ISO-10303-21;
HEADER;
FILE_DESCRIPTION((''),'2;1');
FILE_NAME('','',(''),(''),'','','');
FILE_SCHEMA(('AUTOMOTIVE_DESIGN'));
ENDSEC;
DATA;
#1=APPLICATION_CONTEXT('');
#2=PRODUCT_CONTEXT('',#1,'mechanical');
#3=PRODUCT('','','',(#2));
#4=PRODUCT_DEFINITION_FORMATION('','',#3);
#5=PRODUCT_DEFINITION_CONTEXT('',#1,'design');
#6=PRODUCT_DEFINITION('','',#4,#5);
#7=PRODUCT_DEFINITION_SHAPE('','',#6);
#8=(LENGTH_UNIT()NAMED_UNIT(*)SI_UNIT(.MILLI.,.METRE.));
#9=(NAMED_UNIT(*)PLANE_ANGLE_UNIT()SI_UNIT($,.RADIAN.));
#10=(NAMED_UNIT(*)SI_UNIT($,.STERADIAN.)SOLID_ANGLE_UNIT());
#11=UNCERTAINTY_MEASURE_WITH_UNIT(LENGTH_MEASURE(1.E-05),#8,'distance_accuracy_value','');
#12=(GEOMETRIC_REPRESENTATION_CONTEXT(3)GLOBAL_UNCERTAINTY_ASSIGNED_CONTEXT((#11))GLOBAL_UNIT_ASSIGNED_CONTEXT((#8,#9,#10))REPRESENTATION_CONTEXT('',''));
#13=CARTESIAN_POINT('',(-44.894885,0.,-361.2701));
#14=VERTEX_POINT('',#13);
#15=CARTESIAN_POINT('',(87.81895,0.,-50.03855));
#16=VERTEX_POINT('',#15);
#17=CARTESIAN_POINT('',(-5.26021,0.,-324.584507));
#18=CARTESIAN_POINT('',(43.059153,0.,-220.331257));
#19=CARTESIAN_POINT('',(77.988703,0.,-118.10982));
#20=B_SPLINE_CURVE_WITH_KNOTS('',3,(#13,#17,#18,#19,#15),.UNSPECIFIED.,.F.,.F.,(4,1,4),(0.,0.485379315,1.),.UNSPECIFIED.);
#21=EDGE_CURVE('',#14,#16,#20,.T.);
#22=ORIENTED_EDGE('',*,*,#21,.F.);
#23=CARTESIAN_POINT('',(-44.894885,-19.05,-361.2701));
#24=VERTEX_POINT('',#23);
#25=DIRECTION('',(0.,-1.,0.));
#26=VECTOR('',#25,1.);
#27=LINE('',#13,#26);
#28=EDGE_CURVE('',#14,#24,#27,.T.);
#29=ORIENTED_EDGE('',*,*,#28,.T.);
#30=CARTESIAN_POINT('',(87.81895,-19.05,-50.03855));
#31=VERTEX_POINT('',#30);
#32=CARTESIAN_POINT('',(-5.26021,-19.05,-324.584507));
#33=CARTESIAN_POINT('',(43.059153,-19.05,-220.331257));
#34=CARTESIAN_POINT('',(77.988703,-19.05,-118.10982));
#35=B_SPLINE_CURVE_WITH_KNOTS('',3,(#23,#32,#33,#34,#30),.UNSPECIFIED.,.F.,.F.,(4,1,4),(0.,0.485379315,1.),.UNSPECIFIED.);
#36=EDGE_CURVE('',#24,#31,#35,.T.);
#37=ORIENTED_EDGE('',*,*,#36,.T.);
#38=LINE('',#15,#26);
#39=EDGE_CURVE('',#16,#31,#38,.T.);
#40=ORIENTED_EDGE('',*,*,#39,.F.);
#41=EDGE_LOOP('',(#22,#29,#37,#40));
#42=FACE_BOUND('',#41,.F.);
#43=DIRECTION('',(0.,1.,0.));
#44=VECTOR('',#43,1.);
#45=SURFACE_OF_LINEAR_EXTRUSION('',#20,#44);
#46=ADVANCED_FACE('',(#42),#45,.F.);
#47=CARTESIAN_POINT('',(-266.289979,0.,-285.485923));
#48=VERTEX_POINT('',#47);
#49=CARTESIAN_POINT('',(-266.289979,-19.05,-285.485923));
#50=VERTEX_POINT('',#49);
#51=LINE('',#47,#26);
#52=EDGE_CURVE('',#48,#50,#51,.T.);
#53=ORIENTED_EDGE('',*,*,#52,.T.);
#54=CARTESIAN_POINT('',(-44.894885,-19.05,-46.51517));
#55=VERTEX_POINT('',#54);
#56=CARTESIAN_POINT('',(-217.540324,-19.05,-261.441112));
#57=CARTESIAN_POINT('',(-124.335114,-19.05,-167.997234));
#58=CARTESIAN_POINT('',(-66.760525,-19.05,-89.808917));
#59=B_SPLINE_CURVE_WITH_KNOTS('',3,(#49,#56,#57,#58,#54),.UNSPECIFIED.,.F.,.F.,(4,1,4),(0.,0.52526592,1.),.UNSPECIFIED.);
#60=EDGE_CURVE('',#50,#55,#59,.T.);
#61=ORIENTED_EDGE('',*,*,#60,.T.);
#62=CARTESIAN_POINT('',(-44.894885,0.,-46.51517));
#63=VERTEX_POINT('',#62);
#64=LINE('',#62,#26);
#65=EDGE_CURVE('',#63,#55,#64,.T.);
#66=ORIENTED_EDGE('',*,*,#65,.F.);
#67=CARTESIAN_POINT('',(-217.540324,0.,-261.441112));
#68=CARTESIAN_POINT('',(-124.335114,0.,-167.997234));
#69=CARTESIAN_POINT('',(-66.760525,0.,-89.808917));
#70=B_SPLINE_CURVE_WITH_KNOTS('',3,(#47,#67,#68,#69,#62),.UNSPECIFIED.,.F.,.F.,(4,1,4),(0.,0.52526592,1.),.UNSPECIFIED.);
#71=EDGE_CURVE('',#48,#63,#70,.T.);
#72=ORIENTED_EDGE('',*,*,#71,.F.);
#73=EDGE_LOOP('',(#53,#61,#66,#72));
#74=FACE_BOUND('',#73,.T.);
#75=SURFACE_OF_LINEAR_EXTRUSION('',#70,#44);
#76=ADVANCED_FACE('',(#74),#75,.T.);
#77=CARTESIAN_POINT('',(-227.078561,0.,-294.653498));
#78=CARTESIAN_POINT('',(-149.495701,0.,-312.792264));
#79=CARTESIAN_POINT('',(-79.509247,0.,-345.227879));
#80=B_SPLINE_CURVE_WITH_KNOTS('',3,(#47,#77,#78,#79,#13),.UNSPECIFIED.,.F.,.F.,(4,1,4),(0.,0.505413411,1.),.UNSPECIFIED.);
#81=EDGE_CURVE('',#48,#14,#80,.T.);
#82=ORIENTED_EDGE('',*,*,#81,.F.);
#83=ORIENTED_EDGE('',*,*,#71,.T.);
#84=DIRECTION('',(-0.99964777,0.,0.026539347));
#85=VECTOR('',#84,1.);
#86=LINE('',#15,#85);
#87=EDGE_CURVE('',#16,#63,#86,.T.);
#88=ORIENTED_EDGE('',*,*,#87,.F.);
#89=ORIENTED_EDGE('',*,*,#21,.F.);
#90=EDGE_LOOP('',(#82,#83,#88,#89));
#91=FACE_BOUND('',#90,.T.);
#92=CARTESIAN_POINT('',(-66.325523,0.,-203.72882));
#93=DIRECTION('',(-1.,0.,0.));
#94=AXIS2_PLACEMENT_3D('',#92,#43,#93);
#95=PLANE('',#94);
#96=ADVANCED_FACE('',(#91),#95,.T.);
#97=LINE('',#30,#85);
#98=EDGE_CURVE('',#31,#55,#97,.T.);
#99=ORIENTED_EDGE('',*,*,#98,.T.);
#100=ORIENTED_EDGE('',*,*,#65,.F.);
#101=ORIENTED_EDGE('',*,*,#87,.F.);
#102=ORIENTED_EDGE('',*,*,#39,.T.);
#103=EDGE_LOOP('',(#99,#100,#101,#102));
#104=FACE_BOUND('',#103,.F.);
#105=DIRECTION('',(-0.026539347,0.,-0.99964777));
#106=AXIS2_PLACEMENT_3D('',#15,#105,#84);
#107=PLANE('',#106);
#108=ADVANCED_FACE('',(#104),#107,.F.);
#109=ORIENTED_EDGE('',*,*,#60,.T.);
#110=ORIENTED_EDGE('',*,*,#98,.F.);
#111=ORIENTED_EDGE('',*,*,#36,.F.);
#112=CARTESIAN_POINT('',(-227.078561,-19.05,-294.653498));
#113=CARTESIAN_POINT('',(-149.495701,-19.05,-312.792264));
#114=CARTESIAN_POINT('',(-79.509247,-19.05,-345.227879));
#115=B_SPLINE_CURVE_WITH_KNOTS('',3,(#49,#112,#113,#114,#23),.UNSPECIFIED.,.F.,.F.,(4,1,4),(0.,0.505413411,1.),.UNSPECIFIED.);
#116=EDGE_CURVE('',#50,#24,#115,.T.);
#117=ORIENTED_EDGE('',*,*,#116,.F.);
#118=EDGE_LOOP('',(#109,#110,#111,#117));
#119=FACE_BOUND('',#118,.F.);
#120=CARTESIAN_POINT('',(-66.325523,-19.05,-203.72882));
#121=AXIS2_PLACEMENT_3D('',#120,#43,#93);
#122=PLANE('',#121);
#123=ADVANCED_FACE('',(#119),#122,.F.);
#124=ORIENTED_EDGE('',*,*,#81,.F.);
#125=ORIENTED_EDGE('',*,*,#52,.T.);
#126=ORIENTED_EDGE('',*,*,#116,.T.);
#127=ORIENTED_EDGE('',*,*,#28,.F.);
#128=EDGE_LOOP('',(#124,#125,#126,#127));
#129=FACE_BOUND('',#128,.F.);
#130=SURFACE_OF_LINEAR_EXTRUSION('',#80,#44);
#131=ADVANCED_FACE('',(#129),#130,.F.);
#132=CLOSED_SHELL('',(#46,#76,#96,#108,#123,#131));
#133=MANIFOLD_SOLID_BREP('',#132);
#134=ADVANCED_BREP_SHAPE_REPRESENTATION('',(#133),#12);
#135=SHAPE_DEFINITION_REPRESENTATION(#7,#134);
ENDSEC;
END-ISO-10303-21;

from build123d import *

# Parameters (mm, degrees)
F1_DEPTH = 19.05


with BuildPart() as f1:
    # F0 (on Front) → F1 (new body)
    with BuildSketch(Plane.XZ):
        with BuildLine():
            add(Edge.make_bspline(
                [(-266.2899792194, -285.4859232903), (-217.5403237343, -261.4411115646), (-124.3351135312, -167.9972341007), (-66.7605250759, -89.8089171047), (-44.8948852718, -46.5151704848)],
                knots=[0, 0, 0, 0, 0.52526592, 1, 1, 1, 1], degree=3))
            add(Edge.make_bspline(
                [(-266.2899792194, -285.4859232903), (-227.0785611227, -294.6534984244), (-149.495700753, -312.7922635109), (-79.5092468044, -345.2278793027), (-44.8948852718, -361.2700998783)],
                knots=[0, 0, 0, 0, 0.505413411, 1, 1, 1, 1], degree=3))
            add(Edge.make_bspline(
                [(-44.8948852718, -361.2700998783), (-5.2602101104, -324.5845072136), (43.0591526053, -220.3312568322), (77.9887032694, -118.1098201983), (87.8189504147, -50.0385500491)],
                knots=[0, 0, 0, 0, 0.4853793154, 1, 1, 1, 1], degree=3))
            Line((87.8189504147, -50.0385500491), (-44.8948852718, -46.5151704848))
        make_face()
    extrude(amount=F1_DEPTH)


solid = f1.part
